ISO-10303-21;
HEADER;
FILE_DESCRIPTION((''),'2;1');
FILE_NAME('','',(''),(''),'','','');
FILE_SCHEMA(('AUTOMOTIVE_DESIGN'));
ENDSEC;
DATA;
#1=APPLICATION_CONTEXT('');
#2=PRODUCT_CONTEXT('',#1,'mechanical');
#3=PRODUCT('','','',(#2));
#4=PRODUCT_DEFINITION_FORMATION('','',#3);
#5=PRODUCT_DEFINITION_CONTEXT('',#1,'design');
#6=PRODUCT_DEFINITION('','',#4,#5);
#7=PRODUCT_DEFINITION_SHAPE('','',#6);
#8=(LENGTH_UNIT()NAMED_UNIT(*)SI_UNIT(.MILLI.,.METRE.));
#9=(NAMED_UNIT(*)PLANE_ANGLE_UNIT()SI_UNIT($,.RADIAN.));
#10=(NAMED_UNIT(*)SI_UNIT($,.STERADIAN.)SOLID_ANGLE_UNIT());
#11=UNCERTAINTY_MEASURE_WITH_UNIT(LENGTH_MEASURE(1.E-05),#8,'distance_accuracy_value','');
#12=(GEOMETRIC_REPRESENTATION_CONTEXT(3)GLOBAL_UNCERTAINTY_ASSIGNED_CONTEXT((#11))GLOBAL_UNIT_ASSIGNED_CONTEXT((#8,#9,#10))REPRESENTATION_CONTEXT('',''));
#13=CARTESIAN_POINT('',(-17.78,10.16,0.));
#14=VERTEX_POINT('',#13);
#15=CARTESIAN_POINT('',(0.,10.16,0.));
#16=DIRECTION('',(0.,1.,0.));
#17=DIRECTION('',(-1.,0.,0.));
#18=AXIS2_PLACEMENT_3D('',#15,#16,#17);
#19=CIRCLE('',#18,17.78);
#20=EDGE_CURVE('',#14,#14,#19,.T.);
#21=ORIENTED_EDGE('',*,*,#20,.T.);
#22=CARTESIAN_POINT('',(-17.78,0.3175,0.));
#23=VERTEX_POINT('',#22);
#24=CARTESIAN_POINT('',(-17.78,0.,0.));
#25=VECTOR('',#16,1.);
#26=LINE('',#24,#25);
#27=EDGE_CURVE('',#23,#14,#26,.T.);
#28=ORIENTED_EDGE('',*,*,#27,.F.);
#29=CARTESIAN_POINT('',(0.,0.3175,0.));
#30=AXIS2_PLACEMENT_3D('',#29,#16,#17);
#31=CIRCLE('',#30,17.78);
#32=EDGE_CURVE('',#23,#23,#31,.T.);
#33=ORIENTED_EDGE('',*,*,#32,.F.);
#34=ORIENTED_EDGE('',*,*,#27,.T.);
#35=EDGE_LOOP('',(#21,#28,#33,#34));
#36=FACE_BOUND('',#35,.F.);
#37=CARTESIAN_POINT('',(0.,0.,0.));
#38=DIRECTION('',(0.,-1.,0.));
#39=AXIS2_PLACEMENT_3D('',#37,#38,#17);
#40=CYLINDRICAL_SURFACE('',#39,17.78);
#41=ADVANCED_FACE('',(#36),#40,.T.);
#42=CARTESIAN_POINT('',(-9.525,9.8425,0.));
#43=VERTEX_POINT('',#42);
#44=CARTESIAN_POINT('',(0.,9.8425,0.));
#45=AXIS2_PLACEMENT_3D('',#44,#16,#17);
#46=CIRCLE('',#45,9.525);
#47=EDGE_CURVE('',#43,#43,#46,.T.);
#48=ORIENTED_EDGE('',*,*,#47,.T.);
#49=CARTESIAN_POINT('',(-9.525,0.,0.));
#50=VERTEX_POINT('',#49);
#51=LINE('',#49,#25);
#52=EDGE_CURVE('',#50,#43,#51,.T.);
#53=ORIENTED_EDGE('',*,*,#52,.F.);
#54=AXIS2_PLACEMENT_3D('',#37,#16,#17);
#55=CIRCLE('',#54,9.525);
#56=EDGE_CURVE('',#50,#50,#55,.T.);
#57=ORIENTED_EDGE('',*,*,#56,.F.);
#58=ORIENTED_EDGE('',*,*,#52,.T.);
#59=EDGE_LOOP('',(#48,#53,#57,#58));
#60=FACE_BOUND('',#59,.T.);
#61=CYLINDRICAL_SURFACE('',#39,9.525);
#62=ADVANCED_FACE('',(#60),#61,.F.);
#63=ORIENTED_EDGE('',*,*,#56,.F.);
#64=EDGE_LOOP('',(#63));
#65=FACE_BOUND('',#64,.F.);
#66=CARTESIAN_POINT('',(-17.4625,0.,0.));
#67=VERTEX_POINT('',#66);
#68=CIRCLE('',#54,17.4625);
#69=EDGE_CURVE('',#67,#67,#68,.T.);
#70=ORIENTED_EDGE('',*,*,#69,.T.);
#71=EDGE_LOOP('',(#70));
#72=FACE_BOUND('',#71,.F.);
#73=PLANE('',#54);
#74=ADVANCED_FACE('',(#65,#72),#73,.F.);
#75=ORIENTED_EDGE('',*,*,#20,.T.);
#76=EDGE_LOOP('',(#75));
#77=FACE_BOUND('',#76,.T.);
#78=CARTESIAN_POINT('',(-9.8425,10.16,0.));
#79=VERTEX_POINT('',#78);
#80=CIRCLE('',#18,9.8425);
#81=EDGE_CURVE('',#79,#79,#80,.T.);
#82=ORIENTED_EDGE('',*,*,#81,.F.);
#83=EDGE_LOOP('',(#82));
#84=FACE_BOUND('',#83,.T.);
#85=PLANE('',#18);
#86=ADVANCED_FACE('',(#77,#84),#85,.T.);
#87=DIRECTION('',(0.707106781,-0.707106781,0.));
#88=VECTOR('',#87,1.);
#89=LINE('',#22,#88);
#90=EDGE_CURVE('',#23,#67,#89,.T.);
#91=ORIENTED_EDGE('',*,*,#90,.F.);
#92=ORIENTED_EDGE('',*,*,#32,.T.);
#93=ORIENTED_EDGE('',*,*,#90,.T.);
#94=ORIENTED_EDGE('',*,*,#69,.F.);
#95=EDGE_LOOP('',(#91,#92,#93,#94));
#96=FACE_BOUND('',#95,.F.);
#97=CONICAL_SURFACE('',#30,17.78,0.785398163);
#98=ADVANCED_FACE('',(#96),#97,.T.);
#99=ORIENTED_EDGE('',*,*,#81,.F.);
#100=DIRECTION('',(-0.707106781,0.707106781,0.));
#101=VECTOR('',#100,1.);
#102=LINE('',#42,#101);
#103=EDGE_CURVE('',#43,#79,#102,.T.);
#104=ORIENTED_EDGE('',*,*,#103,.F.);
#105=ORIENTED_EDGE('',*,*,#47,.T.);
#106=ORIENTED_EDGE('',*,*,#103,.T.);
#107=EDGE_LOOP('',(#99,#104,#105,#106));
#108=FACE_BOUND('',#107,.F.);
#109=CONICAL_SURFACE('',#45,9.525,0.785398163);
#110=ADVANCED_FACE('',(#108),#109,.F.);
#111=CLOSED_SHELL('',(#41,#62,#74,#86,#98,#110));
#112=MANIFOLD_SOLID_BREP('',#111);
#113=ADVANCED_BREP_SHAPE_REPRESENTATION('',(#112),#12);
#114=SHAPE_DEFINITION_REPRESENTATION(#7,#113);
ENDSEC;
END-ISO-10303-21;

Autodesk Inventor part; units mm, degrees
ref_plane "YZ Plane" through (0, 0, 0) normal (1, 0, 0) x (0, 1, 0)
ref_plane "XZ Plane" through (0, 0, 0) normal (0, 1, 0) x (-1, 0, 0)
ref_plane "XY Plane" through (0, 0, 0) normal (0, 0, 1) x (1, 0, 0)
sketch "Sketch1" plane through (0, 0, 0) normal (0, 1, 0) x (-1, 0, 0)
  point P0 (0, 0)
sketch "Sketch2" plane through (0, 0, 0) normal (0, 1, 0) x (-1, 0, 0)
  circle A0 centre (0, 0) radius 17.78
  circle A1 centre (0, 0) radius 9.525
  dimension "d0" = 35.56
  dimension "d1" = 19.05
extrude "Extrusion1" add sketch "Sketch2" along normal blind 10.16
chamfer "Chamfer1" distance 0.3175 angle 45 2 edges at (9.525, 10.16, 0) (17.78, 0, 0)
properties part number "Wheel Washer"
